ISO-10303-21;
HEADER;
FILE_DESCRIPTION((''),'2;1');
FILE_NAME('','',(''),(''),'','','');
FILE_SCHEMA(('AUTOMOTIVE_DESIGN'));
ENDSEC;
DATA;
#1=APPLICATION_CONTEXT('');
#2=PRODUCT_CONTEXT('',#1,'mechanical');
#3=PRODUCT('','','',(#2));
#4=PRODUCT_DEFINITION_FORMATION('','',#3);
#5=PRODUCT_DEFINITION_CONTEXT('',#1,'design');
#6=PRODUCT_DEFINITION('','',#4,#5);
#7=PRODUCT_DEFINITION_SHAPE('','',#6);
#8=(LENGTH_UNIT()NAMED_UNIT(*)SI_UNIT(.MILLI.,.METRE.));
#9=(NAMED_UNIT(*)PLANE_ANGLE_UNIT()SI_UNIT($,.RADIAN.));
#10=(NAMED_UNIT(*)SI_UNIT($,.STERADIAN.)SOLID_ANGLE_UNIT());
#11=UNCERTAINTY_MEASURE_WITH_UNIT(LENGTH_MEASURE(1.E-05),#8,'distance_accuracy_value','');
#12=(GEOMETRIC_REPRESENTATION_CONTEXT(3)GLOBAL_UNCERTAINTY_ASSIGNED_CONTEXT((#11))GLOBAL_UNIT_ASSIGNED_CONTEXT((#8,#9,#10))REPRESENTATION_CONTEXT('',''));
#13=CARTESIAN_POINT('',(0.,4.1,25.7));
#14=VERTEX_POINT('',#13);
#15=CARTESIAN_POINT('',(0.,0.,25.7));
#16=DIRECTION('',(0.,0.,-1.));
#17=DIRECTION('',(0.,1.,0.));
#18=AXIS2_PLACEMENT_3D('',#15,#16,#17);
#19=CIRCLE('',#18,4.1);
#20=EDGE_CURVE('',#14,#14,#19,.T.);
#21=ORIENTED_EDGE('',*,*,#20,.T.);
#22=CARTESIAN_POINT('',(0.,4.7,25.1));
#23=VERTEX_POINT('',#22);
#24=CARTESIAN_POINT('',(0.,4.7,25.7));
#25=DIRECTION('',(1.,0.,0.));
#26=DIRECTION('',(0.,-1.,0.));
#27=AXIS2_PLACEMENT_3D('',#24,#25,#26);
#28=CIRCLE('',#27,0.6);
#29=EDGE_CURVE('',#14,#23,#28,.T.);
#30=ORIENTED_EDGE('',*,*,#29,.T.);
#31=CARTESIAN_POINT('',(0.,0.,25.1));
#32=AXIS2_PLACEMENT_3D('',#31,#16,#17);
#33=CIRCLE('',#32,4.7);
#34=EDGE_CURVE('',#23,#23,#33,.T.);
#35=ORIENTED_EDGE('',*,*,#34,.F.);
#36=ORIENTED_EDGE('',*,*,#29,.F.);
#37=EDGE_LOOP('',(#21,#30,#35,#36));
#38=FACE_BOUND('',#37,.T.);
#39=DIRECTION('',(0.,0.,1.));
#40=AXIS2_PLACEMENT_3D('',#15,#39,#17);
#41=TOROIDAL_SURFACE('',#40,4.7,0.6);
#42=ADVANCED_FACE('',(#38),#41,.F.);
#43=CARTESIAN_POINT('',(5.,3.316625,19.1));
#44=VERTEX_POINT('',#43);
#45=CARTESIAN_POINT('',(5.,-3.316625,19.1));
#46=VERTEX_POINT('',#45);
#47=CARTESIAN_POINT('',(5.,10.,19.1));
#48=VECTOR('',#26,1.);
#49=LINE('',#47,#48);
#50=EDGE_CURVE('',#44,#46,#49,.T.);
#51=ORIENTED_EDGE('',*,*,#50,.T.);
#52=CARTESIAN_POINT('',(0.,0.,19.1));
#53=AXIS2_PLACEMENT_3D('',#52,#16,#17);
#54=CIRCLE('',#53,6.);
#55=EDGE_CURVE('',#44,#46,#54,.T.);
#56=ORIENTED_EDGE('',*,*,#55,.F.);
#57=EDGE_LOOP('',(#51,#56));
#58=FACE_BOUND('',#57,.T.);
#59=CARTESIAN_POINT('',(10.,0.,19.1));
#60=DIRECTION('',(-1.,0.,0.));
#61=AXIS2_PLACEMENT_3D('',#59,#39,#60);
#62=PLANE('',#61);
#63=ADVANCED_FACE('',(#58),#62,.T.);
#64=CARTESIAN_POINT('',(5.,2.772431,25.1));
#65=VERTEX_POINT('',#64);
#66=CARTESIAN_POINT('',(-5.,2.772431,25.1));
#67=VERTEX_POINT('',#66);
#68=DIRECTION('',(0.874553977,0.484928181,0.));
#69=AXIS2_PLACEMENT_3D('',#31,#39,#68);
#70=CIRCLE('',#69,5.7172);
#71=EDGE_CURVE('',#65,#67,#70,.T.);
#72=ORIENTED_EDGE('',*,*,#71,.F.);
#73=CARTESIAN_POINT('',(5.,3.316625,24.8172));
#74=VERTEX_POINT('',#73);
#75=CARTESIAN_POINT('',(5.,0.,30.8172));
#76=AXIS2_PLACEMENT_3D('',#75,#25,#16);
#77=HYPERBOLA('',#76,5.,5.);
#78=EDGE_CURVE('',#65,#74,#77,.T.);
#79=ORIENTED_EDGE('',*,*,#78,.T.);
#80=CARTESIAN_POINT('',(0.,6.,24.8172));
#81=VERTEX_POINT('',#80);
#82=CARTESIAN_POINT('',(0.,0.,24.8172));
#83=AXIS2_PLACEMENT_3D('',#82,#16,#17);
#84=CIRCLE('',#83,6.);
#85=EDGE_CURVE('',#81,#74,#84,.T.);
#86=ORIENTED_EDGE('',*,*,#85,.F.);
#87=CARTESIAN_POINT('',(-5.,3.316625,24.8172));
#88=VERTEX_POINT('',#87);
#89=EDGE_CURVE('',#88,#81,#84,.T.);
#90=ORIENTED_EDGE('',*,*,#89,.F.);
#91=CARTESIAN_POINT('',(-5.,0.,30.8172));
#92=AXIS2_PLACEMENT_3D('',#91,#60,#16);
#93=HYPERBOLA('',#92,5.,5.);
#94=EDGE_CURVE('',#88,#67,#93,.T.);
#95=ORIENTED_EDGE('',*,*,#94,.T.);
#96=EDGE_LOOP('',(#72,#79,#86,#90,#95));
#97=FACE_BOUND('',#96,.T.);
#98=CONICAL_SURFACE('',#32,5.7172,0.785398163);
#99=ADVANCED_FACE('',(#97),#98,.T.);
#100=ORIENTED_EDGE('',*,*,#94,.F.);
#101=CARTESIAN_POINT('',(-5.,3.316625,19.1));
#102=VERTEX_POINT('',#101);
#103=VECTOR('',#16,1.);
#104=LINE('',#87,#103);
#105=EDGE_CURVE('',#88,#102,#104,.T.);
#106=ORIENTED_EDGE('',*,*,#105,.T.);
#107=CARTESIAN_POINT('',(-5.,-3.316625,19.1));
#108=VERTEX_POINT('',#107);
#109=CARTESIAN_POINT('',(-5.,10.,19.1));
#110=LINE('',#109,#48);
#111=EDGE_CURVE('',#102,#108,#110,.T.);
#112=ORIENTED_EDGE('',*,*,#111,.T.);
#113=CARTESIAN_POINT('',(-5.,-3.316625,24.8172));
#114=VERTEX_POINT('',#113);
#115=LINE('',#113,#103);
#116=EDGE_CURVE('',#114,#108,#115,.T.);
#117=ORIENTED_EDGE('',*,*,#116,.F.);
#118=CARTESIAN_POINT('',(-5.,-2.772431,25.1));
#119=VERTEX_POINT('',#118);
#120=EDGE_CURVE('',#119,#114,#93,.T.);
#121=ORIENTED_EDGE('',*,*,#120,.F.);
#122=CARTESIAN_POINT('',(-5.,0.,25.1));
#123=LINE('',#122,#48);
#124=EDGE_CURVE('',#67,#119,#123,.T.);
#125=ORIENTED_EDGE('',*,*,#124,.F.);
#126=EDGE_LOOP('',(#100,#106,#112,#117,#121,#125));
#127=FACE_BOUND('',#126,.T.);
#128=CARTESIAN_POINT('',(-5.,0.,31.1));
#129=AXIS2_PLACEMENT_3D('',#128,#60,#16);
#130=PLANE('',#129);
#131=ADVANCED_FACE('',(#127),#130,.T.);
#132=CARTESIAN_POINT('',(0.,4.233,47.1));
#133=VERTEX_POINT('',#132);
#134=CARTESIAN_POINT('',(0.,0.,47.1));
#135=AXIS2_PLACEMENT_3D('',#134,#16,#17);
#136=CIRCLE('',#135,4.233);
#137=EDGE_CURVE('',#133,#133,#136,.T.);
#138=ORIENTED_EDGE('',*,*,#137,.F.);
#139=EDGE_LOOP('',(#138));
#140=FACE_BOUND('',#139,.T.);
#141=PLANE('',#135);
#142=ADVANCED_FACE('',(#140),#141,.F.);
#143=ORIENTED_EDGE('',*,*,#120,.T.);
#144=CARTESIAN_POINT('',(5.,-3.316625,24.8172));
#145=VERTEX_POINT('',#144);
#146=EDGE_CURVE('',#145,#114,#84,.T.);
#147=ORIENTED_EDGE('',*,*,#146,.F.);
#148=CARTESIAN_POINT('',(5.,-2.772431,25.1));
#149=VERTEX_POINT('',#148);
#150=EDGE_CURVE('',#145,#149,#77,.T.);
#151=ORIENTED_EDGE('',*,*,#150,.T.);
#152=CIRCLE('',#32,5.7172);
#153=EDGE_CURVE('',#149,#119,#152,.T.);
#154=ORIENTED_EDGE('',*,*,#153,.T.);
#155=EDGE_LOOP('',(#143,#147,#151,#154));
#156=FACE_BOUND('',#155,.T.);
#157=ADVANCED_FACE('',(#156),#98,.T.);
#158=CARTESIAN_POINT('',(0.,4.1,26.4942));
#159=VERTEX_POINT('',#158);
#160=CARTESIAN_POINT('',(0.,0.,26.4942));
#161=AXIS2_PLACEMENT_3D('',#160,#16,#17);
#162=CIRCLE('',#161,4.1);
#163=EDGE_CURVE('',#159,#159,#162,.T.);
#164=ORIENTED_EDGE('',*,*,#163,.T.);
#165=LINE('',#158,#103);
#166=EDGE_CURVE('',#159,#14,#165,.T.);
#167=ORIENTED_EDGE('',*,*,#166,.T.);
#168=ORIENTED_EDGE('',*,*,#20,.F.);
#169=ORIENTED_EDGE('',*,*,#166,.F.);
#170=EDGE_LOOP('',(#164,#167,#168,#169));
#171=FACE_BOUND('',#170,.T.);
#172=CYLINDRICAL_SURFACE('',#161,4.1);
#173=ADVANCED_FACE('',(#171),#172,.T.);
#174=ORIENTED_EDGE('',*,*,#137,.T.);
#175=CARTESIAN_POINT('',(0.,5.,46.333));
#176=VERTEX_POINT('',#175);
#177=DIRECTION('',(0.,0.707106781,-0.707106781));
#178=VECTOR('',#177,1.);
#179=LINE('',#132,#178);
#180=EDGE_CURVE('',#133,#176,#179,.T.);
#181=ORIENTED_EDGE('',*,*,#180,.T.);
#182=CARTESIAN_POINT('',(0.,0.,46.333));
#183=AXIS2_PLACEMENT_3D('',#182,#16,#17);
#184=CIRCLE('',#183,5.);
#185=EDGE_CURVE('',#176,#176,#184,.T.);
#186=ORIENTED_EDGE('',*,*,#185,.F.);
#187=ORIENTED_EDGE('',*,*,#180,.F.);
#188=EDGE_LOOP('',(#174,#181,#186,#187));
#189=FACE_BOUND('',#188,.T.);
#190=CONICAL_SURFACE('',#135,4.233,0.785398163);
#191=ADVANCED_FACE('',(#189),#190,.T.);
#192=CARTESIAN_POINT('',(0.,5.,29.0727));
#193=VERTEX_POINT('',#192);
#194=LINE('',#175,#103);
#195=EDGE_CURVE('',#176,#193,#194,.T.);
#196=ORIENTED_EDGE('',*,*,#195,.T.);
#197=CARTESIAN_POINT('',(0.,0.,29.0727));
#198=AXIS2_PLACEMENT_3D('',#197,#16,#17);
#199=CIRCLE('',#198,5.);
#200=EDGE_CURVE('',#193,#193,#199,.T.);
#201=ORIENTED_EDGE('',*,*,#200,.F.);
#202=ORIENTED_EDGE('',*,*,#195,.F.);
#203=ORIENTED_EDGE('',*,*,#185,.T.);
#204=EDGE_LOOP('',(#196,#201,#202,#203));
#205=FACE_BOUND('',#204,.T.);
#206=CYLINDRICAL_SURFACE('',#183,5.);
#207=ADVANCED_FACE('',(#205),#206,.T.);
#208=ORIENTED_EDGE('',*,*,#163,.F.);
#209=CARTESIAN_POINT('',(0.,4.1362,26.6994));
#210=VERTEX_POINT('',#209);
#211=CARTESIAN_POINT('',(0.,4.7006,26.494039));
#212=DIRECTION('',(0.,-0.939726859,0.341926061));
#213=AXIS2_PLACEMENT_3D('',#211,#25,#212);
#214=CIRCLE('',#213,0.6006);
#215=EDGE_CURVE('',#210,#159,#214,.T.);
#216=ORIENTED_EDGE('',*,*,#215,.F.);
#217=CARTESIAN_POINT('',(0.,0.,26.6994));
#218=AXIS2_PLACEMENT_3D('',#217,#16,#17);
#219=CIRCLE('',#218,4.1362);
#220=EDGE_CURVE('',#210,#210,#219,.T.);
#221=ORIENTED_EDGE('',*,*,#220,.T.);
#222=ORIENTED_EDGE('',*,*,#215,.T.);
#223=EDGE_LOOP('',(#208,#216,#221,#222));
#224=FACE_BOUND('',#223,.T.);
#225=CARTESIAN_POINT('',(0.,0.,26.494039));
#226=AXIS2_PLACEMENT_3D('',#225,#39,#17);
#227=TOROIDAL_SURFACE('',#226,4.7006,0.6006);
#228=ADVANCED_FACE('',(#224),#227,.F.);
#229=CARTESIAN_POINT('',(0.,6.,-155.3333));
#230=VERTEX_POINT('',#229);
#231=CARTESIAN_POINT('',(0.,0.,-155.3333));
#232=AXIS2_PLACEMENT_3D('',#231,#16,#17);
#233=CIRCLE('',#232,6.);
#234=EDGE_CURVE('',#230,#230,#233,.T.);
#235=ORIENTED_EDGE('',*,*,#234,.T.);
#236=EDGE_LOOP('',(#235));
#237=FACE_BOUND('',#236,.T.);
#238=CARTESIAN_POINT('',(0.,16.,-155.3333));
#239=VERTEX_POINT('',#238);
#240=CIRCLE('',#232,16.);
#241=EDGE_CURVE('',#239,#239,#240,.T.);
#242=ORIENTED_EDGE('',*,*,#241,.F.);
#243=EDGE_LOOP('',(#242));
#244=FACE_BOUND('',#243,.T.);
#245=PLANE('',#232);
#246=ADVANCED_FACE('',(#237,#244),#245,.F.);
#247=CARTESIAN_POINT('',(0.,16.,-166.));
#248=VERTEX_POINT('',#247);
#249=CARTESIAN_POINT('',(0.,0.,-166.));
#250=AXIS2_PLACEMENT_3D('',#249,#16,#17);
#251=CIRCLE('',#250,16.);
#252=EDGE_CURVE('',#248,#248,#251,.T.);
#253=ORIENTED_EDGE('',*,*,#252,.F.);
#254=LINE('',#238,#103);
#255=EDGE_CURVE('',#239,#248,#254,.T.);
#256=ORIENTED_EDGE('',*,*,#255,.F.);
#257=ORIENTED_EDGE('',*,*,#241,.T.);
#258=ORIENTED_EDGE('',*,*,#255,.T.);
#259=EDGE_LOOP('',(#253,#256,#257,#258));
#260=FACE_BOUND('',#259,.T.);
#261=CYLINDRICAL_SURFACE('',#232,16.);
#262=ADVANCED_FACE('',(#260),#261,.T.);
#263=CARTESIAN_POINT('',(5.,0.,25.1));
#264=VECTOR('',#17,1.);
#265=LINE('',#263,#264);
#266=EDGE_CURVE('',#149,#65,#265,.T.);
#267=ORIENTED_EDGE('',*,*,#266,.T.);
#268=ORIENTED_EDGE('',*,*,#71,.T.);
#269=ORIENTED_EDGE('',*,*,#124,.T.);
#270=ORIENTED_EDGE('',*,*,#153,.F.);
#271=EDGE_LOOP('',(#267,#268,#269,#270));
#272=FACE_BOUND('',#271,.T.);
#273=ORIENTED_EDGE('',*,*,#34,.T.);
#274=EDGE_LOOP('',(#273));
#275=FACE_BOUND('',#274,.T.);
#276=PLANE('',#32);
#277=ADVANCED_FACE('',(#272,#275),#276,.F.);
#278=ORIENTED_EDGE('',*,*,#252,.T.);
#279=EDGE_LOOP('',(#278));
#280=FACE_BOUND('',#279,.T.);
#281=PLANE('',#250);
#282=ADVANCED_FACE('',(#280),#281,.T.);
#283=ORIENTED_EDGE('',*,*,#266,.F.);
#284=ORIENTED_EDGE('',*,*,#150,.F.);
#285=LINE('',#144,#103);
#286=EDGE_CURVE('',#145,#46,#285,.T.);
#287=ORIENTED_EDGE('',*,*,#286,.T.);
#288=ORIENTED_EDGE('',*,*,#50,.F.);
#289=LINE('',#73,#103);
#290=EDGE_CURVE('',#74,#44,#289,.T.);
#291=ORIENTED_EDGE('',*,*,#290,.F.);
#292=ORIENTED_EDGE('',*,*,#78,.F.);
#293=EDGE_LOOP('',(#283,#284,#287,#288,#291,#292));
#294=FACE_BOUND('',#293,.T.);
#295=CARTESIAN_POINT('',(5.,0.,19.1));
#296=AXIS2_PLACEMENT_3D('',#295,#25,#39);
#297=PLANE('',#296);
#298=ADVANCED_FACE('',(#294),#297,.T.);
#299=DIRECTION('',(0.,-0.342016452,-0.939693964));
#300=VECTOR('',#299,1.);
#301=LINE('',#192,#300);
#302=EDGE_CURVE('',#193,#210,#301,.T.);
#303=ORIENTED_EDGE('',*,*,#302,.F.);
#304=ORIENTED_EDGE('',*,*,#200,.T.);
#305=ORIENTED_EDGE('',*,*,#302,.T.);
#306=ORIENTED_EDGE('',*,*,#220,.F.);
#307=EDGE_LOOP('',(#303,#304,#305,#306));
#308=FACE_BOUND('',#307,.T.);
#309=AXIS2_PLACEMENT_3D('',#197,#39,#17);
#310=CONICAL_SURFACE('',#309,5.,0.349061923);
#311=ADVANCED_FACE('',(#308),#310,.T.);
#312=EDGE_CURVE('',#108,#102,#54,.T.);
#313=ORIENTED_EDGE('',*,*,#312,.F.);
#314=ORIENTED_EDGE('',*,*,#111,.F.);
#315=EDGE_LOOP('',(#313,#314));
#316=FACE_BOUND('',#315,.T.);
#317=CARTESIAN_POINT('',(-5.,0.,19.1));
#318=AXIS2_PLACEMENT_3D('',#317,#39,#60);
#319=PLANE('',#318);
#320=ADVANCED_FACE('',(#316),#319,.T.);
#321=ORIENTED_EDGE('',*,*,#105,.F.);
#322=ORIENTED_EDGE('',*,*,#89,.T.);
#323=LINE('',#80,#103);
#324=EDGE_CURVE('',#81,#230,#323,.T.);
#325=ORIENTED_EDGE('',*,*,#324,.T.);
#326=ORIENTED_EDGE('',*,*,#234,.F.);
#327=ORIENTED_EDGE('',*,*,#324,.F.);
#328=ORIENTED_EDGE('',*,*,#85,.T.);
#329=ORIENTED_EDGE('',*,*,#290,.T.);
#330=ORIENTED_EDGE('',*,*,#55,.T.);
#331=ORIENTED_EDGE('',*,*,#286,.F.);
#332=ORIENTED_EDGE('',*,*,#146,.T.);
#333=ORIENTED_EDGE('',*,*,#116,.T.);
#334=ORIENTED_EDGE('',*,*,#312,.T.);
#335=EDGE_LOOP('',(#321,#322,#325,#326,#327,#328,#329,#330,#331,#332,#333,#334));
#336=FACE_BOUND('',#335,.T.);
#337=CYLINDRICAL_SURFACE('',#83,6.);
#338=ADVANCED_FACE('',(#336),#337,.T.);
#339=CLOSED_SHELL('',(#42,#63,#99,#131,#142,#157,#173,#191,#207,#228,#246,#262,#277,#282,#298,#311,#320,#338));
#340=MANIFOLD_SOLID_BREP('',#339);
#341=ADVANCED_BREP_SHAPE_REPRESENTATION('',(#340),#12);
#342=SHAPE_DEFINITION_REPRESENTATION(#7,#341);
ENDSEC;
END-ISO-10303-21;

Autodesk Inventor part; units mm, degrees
sketch "Sketch_1" plane through (0, 0, 0) normal (1, 0, 0) x (0, 1, 0)
  line L0 (0, -166) -> (0, 25.1)
  line L1 (0, 25.1) -> (5.7172, 25.1)
  line L2 (5.7172, 25.1) -> (6, 24.8172)
  line L3 (6, 24.8172) -> (6, -155.3333)
  line L4 (6, -155.3333) -> (16, -155.3333)
  line L5 (16, -155.3333) -> (16, -166)
  line L6 (16, -166) -> (0, -166)
  line L7 (0, -166) -> (0, 25.1)
revolve "Revolution1" add sketch "Sketch_1" angle 360 about axis through (0, 0, -166) along (0, 0, -1)
sketch "Sketch_2" plane through (0, 0, 0) normal (0, 1, 0) x (-1, 0, 0)
  line L0 (10, 39.1) -> (-10, 39.1)
  line L1 (-10, 39.1) -> (-10, 19.1)
  line L2 (-10, 19.1) -> (-5, 19.1)
  line L3 (-5, 19.1) -> (-5, 31.1)
  line L4 (-5, 31.1) -> (5, 31.1)
  line L5 (5, 31.1) -> (5, 19.1)
  line L6 (5, 19.1) -> (10, 19.1)
  line L7 (10, 19.1) -> (10, 39.1)
extrude "Extrusion1" cut sketch "Sketch_2" along normal mid plane 20
sketch "Sketch_4" plane through (0, 0, 0) normal (1, 0, 0) x (0, 1, 0)
  line L0 (0, 24.5) -> (0, 47.1)
  line L1 (0, 47.1) -> (4.233, 47.1)
  line L2 (4.233, 47.1) -> (5, 46.333)
  line L3 (5, 46.333) -> (5, 29.0727)
  line L4 (5, 29.0727) -> (4.1362, 26.6994)
  arc A0 (4.1362, 26.6994) -> (4.1, 26.4942) centre (4.7, 26.4942) ccw
  line L5 (4.1, 26.4942) -> (4.1, 25.7)
  arc A1 (4.1, 25.7) -> (4.7, 25.1) centre (4.7, 25.7) ccw
  line L6 (4.7, 25.1) -> (4.7, 24.5)
  line L7 (4.7, 24.5) -> (0, 24.5)
  line L8 (0, 24.5) -> (0, 47.1)
revolve "Revolution2" add sketch "Sketch_4" angle 360 about axis through (0, 0, 24.5) along (0, 0, -1)
thread "Thread1" size "M10x1.25" class "6g" standard "ISO Metric profile" full length
ref_plane "FDT_PIRODACC_XY" through (0, 0, 34.1) normal (0, 0, 1) x (1, 0, 0)
ref_plane "FDT_PIRODACC_YZ" through (0, 0, 34.1) normal (1, 0, 0) x (0, 1, 0)
ref_plane "FDT_PIRODACC_ZX" through (0, 0, 34.1) normal (0, 1, 0) x (0, 0, 1)
ref_plane "NUT_XY" through (0, 0, 34.1) normal (0, 0, -1) x (1, 0, 0)
ref_plane "NUT_YZ" through (0, 0, 34.1) normal (1, 0, 0) x (0, -1, 0)
ref_plane "NUT_ZX" through (0, 0, 34.1) normal (0, -1, 0) x (0, 0, -1)
ref_plane "P_XY" through (0, 0, -166) normal (0, 0, -1) x (0, 1, 0)
ref_plane "P_YZ" through (0, 0, -166) normal (0, 1, 0) x (1, 0, 0)
ref_plane "P_ZX" through (0, 0, -166) normal (1, 0, 0) x (0, 0, -1)
properties part number "1463250 DSBC-32-100_(K)"
